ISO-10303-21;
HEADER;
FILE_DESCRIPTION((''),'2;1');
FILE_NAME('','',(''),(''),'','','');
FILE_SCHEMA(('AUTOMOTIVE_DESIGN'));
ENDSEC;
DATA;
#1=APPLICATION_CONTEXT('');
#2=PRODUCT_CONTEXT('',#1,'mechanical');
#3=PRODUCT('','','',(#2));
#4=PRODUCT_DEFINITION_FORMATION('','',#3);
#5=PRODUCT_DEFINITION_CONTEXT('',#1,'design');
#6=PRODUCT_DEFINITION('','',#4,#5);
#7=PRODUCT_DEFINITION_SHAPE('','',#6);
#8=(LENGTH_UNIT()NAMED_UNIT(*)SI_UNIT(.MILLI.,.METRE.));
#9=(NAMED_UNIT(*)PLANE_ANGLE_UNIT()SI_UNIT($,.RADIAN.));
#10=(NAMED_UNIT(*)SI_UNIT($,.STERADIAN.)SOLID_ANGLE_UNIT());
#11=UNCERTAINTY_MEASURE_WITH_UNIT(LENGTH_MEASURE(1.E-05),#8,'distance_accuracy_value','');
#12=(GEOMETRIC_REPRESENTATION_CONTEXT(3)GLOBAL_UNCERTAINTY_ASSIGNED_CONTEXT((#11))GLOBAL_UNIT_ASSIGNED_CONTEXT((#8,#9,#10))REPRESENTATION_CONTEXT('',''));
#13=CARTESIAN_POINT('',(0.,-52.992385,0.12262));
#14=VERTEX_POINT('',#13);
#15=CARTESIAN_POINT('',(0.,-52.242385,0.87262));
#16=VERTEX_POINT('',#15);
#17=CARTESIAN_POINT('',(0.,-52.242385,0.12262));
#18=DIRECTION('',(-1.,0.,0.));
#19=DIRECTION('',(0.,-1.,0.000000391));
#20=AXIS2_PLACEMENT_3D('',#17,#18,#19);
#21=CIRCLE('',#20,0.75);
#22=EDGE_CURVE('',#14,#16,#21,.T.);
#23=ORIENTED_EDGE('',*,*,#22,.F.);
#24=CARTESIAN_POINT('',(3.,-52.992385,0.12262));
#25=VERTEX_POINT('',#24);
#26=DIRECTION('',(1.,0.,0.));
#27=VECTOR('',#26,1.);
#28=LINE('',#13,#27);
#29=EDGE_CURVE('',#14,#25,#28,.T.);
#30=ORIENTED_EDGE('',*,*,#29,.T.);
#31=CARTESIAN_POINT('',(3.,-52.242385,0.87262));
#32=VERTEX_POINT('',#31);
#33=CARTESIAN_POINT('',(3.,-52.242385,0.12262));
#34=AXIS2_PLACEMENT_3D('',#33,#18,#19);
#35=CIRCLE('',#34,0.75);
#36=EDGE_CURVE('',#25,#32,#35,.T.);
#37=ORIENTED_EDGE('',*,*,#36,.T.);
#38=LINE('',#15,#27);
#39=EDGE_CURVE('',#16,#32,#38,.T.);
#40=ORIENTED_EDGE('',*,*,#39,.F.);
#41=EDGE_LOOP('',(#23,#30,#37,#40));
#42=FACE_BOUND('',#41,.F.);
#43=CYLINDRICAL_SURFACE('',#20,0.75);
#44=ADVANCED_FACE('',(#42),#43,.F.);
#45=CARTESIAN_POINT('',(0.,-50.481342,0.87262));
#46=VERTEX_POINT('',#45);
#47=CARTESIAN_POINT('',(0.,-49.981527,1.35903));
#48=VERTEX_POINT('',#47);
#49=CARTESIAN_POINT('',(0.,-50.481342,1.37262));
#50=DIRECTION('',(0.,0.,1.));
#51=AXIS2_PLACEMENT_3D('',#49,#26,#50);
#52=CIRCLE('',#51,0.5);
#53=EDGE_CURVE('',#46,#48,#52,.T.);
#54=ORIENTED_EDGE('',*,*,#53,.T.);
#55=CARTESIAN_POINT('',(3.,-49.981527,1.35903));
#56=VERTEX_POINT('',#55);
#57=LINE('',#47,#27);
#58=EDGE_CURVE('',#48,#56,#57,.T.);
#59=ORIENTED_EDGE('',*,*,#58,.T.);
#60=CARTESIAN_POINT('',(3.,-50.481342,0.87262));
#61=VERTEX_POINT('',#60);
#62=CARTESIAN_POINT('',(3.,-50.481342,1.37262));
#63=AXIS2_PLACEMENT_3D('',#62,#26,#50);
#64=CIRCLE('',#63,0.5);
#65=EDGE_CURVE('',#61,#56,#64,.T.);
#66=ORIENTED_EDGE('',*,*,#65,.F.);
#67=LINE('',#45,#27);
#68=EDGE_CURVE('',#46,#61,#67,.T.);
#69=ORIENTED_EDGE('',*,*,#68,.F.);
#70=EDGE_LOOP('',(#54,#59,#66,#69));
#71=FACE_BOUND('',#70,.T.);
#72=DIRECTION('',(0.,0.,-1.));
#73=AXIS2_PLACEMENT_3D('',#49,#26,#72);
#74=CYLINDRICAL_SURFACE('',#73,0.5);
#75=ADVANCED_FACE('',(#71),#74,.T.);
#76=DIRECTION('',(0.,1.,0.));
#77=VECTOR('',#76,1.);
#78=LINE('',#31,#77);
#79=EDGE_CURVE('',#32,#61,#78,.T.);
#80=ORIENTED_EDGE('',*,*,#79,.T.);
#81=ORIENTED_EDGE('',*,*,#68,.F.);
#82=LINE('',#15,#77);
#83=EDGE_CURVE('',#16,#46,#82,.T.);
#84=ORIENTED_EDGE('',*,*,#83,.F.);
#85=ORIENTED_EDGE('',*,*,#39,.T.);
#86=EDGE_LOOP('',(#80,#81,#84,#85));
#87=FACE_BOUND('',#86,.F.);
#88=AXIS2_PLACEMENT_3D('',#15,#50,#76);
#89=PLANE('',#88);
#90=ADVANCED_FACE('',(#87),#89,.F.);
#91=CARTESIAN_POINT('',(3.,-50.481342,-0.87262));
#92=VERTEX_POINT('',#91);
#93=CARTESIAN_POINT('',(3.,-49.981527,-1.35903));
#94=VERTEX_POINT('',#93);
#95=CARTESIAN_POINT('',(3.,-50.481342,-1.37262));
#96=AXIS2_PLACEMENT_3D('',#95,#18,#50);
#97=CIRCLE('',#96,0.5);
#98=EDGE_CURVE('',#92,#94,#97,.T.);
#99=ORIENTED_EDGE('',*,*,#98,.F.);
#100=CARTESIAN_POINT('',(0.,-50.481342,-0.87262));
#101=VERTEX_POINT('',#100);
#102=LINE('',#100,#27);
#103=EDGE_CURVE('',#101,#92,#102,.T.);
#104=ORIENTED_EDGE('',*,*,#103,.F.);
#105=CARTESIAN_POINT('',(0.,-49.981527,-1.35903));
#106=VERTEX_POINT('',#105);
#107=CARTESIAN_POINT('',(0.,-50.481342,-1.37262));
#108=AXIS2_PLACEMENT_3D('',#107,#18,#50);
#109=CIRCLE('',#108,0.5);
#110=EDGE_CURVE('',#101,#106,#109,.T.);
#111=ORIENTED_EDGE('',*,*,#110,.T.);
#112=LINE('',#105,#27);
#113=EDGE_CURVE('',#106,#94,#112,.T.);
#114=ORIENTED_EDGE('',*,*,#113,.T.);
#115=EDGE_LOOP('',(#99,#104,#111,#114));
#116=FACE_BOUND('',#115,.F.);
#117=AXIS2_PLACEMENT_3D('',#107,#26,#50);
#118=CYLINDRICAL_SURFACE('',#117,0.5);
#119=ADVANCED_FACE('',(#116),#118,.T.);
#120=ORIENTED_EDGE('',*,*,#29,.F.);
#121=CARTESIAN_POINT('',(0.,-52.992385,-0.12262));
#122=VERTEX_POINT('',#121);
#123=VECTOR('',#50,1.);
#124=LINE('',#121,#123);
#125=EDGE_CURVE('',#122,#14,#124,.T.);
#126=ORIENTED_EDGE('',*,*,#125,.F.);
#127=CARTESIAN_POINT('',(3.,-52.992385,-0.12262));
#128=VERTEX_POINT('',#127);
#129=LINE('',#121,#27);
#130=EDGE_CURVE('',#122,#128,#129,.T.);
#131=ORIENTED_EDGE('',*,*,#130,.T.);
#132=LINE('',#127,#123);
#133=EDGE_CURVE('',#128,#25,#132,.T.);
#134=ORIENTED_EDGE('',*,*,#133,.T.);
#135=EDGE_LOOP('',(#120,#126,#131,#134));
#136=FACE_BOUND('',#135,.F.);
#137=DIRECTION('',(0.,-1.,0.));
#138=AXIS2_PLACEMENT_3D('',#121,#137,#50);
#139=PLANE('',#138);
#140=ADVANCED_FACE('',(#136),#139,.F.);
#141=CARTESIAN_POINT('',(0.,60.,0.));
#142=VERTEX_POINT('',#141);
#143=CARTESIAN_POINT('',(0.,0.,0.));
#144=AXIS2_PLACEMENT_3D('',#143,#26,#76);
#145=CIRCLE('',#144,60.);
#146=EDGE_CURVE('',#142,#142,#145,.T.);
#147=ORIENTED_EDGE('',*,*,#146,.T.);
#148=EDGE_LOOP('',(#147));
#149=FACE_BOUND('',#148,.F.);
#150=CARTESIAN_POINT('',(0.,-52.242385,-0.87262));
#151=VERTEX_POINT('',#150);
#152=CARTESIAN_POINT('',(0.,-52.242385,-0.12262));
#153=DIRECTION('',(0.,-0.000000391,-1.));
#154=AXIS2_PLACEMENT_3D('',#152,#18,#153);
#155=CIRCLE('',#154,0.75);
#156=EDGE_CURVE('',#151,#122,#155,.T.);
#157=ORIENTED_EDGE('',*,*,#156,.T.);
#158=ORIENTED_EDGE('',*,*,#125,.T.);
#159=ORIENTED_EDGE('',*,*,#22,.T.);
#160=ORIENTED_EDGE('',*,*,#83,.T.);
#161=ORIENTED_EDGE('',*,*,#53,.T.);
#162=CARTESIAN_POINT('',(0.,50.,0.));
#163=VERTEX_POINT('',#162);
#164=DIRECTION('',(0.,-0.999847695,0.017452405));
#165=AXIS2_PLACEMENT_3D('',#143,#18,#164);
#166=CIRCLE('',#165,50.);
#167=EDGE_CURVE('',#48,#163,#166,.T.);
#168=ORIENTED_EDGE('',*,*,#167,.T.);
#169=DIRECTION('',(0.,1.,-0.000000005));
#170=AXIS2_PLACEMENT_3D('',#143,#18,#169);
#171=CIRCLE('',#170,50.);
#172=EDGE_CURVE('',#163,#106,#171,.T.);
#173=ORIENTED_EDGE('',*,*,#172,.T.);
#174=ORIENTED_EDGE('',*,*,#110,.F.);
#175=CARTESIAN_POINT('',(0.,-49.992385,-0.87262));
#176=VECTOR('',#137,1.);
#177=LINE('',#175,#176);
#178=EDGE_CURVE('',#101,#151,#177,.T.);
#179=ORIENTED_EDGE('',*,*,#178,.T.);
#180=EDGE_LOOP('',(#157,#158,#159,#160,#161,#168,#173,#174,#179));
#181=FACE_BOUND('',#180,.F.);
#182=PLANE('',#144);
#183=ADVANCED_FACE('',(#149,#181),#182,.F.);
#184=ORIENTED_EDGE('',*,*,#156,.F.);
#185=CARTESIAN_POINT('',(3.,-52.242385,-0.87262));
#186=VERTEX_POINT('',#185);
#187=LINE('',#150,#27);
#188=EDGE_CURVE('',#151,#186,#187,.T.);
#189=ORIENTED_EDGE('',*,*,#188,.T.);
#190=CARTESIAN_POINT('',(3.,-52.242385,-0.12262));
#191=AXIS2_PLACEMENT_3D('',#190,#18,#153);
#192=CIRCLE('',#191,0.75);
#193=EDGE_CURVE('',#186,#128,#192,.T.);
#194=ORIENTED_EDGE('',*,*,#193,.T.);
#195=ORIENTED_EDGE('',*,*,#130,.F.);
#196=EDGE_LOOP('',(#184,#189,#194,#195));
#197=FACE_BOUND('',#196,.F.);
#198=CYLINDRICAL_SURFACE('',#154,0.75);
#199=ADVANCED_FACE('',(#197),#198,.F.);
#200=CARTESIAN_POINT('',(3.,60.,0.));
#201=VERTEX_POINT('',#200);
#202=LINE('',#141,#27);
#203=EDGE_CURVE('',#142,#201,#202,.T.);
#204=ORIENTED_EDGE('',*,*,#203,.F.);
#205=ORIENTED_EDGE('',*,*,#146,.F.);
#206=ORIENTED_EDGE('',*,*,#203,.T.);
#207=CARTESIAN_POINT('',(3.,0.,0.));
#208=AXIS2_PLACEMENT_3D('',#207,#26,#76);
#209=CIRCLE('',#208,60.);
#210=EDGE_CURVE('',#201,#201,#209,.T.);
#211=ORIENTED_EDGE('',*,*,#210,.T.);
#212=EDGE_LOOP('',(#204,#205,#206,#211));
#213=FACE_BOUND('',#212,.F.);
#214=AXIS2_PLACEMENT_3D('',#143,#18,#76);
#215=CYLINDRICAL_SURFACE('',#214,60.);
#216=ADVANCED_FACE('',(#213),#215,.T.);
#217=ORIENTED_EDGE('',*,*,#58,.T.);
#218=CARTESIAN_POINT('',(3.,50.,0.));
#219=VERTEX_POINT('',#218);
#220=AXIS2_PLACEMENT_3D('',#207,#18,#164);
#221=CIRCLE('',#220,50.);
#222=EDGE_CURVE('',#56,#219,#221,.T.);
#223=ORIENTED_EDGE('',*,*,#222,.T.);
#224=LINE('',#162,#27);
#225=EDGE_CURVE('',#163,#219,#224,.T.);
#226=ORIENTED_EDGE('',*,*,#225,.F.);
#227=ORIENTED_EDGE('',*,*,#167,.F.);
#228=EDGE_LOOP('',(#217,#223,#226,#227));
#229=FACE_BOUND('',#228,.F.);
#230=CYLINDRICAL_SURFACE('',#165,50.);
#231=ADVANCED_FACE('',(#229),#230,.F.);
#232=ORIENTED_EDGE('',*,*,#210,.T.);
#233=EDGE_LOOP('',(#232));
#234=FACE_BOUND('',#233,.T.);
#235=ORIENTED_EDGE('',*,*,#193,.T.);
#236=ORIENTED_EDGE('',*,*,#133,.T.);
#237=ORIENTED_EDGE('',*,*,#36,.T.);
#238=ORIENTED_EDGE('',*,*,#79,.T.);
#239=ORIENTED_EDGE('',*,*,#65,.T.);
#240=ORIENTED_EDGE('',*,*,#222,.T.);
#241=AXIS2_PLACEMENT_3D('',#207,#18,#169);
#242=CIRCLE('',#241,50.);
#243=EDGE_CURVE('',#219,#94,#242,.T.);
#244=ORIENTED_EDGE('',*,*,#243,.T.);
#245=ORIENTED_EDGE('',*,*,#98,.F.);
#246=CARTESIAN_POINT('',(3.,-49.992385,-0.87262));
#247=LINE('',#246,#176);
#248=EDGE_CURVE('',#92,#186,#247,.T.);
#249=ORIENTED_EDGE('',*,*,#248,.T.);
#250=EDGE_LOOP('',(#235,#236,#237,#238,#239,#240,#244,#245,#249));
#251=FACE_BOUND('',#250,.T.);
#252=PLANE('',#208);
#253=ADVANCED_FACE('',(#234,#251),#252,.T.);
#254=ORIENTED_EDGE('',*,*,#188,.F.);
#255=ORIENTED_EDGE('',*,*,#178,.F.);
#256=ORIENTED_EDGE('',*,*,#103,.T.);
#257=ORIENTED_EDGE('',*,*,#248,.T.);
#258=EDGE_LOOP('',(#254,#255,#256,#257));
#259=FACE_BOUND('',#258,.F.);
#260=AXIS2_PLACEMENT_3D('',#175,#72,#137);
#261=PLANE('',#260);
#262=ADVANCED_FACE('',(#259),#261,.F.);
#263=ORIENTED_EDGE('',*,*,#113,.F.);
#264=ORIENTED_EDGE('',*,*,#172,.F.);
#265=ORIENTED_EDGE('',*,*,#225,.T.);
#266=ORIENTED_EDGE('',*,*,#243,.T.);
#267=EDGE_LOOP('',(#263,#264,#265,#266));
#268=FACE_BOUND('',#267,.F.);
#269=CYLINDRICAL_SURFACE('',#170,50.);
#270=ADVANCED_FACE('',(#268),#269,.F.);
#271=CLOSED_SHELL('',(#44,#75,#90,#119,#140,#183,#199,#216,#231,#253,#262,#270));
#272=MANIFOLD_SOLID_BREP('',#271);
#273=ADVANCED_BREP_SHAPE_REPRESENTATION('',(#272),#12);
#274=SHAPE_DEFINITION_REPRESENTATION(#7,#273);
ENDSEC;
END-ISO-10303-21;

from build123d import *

# Parameters (mm, degrees)
F1_R     = 60
F2_DEPTH = 3
F3_R     = 0.5


with BuildPart() as f2:
    # F1 (on Right) → F2 (new body)
    with BuildSketch(Plane.YZ):
        Circle(F1_R)
        with BuildLine():
            ThreePointArc((-49.992385, 0.87262), (0.436327, 49.998096), (50, 0))
            ThreePointArc((50, 0), (0.436327, -49.998096), (-49.992385, -0.87262))
            Line((-49.992385, -0.87262), (-52.242385, -0.87262))
            ThreePointArc((-52.242385, -0.87262), (-52.772715, -0.65295), (-52.992385, -0.12262))
            Line((-52.992385, -0.12262), (-52.992385, 0.12262))
            ThreePointArc((-52.992385, 0.12262), (-52.772715, 0.65295), (-52.242385, 0.87262))
            Line((-52.242385, 0.87262), (-49.992385, 0.87262))
        make_face(mode=Mode.SUBTRACT)
    extrude(amount=F2_DEPTH)

    # F3
    f3_edges = [f2.edges().sort_by_distance(p)[0] for p in [
        (1.5, -49.992385, 0.87262),
        (1.5, -49.992385, -0.87262),
    ]]
    fillet(f3_edges, radius=F3_R)


solid = f2.part
